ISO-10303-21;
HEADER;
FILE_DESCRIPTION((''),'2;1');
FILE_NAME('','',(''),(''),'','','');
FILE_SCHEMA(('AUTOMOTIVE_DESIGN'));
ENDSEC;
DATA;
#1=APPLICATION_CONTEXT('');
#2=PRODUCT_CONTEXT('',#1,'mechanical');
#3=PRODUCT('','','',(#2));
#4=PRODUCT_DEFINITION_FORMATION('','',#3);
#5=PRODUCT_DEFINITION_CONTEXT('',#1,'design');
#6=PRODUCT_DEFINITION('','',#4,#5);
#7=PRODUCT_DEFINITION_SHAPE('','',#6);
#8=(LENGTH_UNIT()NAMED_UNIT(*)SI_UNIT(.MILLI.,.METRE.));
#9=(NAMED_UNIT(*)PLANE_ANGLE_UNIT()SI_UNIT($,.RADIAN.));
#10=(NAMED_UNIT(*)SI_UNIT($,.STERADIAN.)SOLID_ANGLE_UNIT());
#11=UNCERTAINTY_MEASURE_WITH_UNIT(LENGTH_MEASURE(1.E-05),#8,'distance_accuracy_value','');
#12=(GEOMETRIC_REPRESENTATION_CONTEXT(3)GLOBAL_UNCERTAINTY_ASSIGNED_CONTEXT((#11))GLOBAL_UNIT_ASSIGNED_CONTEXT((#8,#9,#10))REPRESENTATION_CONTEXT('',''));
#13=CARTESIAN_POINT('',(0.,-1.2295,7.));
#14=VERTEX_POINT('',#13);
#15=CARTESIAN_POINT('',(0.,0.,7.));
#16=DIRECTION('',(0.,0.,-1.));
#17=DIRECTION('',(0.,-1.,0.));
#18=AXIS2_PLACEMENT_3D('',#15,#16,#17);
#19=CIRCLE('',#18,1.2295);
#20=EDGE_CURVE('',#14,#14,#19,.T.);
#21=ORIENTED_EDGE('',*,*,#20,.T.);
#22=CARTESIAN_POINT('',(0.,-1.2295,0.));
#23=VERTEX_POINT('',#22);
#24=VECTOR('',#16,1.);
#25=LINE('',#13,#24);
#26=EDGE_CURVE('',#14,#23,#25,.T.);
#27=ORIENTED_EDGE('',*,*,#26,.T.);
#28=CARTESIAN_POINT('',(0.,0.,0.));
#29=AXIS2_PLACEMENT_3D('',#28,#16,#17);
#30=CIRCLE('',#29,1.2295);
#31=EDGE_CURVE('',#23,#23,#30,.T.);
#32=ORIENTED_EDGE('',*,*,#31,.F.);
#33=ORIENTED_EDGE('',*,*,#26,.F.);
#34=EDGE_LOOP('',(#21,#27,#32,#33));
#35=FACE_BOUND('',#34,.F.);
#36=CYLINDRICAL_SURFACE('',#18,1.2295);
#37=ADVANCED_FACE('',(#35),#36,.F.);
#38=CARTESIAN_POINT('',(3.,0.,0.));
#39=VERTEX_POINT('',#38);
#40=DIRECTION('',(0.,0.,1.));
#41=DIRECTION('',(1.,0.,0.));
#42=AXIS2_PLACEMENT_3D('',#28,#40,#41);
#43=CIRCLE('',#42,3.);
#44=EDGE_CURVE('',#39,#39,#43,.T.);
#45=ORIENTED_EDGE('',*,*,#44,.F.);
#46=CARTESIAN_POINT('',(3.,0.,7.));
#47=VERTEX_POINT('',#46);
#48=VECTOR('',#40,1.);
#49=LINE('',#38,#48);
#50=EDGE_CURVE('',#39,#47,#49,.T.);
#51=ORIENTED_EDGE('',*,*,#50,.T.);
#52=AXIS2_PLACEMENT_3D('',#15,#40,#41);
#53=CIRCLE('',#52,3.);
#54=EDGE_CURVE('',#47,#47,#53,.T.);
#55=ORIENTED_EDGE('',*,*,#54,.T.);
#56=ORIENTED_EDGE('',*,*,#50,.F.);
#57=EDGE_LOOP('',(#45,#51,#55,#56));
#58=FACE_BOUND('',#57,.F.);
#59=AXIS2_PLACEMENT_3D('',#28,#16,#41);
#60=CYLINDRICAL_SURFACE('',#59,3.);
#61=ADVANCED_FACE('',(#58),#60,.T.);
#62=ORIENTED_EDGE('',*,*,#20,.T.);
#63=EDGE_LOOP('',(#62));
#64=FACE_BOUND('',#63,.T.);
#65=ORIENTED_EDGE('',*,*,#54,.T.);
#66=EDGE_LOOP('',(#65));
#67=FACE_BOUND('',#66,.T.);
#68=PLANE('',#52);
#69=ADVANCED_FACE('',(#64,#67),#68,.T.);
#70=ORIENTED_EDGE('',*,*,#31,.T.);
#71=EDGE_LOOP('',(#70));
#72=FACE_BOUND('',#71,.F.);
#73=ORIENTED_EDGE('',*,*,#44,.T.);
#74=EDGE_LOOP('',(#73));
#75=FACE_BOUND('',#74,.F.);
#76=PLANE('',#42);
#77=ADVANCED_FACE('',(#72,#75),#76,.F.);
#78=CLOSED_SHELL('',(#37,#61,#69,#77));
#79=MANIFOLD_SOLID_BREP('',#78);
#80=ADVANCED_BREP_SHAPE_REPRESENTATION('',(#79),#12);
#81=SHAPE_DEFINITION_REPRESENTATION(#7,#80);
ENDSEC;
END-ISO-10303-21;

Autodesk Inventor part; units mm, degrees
ref_plane "YZ Plane" through (0, 0, 0) normal (1, 0, 0) x (0, 1, 0)
ref_plane "XZ Plane" through (0, 0, 0) normal (0, 1, 0) x (-1, 0, 0)
ref_plane "XY Plane" through (0, 0, 0) normal (0, 0, 1) x (1, 0, 0)
sketch "Sketch1" plane through (0, 0, 0) normal (0, 0, 1) x (1, 0, 0)
  circle A0 centre (0, 0) radius 3
  dimension "d0" = 6
extrude "Extrusion1" add sketch "Sketch1" along normal blind 7
sketch "Sketch2" plane through (0, 0, 7) normal (0, 0, 1) x (1, 0, 0)
  point P0 (0, 0)
  point P1 (0, 0)
hole "Hole1" at (0, 0, 7) direction (0, 0, -1) diameter 2.459 end through all thread size "M3x0.5" class "6H" standard "ANSI Metric M Profile"
sketch "Sketch3" plane through (0, 0, 0) normal (0, 1, 0) x (-1, 0, 0)
  line L0 (3, 0) -> (3, 7) projected
  line L1 (3, 7) -> (2.5, 7)
  line L2 (2.5, 7) -> (2.5, 3)
  line L3 (2.5, 3) -> (3, 3)
  line L4 (3, 3) -> (3, 7)
  line L5 (3, 7) -> (-3, 7) projected
  line L6 (-3, 7) -> (-2.5, 7)
  line L7 (-2.5, 7) -> (-2.5, 3)
  line L8 (-2.5, 3) -> (-3, 3)
  line L9 (-3, 3) -> (-3, 7)
  point P0 (0, 0)
  dimension "d10" = 0.5
  dimension "d11" = 5
  dimension "d12" = 0.5
  dimension "d13" = 4
extrude "Extrusion2" [suppressed]
equation "\"d10\" = d12"
properties part number "Timing_Lever Weight" material "Aluminum 6061"
